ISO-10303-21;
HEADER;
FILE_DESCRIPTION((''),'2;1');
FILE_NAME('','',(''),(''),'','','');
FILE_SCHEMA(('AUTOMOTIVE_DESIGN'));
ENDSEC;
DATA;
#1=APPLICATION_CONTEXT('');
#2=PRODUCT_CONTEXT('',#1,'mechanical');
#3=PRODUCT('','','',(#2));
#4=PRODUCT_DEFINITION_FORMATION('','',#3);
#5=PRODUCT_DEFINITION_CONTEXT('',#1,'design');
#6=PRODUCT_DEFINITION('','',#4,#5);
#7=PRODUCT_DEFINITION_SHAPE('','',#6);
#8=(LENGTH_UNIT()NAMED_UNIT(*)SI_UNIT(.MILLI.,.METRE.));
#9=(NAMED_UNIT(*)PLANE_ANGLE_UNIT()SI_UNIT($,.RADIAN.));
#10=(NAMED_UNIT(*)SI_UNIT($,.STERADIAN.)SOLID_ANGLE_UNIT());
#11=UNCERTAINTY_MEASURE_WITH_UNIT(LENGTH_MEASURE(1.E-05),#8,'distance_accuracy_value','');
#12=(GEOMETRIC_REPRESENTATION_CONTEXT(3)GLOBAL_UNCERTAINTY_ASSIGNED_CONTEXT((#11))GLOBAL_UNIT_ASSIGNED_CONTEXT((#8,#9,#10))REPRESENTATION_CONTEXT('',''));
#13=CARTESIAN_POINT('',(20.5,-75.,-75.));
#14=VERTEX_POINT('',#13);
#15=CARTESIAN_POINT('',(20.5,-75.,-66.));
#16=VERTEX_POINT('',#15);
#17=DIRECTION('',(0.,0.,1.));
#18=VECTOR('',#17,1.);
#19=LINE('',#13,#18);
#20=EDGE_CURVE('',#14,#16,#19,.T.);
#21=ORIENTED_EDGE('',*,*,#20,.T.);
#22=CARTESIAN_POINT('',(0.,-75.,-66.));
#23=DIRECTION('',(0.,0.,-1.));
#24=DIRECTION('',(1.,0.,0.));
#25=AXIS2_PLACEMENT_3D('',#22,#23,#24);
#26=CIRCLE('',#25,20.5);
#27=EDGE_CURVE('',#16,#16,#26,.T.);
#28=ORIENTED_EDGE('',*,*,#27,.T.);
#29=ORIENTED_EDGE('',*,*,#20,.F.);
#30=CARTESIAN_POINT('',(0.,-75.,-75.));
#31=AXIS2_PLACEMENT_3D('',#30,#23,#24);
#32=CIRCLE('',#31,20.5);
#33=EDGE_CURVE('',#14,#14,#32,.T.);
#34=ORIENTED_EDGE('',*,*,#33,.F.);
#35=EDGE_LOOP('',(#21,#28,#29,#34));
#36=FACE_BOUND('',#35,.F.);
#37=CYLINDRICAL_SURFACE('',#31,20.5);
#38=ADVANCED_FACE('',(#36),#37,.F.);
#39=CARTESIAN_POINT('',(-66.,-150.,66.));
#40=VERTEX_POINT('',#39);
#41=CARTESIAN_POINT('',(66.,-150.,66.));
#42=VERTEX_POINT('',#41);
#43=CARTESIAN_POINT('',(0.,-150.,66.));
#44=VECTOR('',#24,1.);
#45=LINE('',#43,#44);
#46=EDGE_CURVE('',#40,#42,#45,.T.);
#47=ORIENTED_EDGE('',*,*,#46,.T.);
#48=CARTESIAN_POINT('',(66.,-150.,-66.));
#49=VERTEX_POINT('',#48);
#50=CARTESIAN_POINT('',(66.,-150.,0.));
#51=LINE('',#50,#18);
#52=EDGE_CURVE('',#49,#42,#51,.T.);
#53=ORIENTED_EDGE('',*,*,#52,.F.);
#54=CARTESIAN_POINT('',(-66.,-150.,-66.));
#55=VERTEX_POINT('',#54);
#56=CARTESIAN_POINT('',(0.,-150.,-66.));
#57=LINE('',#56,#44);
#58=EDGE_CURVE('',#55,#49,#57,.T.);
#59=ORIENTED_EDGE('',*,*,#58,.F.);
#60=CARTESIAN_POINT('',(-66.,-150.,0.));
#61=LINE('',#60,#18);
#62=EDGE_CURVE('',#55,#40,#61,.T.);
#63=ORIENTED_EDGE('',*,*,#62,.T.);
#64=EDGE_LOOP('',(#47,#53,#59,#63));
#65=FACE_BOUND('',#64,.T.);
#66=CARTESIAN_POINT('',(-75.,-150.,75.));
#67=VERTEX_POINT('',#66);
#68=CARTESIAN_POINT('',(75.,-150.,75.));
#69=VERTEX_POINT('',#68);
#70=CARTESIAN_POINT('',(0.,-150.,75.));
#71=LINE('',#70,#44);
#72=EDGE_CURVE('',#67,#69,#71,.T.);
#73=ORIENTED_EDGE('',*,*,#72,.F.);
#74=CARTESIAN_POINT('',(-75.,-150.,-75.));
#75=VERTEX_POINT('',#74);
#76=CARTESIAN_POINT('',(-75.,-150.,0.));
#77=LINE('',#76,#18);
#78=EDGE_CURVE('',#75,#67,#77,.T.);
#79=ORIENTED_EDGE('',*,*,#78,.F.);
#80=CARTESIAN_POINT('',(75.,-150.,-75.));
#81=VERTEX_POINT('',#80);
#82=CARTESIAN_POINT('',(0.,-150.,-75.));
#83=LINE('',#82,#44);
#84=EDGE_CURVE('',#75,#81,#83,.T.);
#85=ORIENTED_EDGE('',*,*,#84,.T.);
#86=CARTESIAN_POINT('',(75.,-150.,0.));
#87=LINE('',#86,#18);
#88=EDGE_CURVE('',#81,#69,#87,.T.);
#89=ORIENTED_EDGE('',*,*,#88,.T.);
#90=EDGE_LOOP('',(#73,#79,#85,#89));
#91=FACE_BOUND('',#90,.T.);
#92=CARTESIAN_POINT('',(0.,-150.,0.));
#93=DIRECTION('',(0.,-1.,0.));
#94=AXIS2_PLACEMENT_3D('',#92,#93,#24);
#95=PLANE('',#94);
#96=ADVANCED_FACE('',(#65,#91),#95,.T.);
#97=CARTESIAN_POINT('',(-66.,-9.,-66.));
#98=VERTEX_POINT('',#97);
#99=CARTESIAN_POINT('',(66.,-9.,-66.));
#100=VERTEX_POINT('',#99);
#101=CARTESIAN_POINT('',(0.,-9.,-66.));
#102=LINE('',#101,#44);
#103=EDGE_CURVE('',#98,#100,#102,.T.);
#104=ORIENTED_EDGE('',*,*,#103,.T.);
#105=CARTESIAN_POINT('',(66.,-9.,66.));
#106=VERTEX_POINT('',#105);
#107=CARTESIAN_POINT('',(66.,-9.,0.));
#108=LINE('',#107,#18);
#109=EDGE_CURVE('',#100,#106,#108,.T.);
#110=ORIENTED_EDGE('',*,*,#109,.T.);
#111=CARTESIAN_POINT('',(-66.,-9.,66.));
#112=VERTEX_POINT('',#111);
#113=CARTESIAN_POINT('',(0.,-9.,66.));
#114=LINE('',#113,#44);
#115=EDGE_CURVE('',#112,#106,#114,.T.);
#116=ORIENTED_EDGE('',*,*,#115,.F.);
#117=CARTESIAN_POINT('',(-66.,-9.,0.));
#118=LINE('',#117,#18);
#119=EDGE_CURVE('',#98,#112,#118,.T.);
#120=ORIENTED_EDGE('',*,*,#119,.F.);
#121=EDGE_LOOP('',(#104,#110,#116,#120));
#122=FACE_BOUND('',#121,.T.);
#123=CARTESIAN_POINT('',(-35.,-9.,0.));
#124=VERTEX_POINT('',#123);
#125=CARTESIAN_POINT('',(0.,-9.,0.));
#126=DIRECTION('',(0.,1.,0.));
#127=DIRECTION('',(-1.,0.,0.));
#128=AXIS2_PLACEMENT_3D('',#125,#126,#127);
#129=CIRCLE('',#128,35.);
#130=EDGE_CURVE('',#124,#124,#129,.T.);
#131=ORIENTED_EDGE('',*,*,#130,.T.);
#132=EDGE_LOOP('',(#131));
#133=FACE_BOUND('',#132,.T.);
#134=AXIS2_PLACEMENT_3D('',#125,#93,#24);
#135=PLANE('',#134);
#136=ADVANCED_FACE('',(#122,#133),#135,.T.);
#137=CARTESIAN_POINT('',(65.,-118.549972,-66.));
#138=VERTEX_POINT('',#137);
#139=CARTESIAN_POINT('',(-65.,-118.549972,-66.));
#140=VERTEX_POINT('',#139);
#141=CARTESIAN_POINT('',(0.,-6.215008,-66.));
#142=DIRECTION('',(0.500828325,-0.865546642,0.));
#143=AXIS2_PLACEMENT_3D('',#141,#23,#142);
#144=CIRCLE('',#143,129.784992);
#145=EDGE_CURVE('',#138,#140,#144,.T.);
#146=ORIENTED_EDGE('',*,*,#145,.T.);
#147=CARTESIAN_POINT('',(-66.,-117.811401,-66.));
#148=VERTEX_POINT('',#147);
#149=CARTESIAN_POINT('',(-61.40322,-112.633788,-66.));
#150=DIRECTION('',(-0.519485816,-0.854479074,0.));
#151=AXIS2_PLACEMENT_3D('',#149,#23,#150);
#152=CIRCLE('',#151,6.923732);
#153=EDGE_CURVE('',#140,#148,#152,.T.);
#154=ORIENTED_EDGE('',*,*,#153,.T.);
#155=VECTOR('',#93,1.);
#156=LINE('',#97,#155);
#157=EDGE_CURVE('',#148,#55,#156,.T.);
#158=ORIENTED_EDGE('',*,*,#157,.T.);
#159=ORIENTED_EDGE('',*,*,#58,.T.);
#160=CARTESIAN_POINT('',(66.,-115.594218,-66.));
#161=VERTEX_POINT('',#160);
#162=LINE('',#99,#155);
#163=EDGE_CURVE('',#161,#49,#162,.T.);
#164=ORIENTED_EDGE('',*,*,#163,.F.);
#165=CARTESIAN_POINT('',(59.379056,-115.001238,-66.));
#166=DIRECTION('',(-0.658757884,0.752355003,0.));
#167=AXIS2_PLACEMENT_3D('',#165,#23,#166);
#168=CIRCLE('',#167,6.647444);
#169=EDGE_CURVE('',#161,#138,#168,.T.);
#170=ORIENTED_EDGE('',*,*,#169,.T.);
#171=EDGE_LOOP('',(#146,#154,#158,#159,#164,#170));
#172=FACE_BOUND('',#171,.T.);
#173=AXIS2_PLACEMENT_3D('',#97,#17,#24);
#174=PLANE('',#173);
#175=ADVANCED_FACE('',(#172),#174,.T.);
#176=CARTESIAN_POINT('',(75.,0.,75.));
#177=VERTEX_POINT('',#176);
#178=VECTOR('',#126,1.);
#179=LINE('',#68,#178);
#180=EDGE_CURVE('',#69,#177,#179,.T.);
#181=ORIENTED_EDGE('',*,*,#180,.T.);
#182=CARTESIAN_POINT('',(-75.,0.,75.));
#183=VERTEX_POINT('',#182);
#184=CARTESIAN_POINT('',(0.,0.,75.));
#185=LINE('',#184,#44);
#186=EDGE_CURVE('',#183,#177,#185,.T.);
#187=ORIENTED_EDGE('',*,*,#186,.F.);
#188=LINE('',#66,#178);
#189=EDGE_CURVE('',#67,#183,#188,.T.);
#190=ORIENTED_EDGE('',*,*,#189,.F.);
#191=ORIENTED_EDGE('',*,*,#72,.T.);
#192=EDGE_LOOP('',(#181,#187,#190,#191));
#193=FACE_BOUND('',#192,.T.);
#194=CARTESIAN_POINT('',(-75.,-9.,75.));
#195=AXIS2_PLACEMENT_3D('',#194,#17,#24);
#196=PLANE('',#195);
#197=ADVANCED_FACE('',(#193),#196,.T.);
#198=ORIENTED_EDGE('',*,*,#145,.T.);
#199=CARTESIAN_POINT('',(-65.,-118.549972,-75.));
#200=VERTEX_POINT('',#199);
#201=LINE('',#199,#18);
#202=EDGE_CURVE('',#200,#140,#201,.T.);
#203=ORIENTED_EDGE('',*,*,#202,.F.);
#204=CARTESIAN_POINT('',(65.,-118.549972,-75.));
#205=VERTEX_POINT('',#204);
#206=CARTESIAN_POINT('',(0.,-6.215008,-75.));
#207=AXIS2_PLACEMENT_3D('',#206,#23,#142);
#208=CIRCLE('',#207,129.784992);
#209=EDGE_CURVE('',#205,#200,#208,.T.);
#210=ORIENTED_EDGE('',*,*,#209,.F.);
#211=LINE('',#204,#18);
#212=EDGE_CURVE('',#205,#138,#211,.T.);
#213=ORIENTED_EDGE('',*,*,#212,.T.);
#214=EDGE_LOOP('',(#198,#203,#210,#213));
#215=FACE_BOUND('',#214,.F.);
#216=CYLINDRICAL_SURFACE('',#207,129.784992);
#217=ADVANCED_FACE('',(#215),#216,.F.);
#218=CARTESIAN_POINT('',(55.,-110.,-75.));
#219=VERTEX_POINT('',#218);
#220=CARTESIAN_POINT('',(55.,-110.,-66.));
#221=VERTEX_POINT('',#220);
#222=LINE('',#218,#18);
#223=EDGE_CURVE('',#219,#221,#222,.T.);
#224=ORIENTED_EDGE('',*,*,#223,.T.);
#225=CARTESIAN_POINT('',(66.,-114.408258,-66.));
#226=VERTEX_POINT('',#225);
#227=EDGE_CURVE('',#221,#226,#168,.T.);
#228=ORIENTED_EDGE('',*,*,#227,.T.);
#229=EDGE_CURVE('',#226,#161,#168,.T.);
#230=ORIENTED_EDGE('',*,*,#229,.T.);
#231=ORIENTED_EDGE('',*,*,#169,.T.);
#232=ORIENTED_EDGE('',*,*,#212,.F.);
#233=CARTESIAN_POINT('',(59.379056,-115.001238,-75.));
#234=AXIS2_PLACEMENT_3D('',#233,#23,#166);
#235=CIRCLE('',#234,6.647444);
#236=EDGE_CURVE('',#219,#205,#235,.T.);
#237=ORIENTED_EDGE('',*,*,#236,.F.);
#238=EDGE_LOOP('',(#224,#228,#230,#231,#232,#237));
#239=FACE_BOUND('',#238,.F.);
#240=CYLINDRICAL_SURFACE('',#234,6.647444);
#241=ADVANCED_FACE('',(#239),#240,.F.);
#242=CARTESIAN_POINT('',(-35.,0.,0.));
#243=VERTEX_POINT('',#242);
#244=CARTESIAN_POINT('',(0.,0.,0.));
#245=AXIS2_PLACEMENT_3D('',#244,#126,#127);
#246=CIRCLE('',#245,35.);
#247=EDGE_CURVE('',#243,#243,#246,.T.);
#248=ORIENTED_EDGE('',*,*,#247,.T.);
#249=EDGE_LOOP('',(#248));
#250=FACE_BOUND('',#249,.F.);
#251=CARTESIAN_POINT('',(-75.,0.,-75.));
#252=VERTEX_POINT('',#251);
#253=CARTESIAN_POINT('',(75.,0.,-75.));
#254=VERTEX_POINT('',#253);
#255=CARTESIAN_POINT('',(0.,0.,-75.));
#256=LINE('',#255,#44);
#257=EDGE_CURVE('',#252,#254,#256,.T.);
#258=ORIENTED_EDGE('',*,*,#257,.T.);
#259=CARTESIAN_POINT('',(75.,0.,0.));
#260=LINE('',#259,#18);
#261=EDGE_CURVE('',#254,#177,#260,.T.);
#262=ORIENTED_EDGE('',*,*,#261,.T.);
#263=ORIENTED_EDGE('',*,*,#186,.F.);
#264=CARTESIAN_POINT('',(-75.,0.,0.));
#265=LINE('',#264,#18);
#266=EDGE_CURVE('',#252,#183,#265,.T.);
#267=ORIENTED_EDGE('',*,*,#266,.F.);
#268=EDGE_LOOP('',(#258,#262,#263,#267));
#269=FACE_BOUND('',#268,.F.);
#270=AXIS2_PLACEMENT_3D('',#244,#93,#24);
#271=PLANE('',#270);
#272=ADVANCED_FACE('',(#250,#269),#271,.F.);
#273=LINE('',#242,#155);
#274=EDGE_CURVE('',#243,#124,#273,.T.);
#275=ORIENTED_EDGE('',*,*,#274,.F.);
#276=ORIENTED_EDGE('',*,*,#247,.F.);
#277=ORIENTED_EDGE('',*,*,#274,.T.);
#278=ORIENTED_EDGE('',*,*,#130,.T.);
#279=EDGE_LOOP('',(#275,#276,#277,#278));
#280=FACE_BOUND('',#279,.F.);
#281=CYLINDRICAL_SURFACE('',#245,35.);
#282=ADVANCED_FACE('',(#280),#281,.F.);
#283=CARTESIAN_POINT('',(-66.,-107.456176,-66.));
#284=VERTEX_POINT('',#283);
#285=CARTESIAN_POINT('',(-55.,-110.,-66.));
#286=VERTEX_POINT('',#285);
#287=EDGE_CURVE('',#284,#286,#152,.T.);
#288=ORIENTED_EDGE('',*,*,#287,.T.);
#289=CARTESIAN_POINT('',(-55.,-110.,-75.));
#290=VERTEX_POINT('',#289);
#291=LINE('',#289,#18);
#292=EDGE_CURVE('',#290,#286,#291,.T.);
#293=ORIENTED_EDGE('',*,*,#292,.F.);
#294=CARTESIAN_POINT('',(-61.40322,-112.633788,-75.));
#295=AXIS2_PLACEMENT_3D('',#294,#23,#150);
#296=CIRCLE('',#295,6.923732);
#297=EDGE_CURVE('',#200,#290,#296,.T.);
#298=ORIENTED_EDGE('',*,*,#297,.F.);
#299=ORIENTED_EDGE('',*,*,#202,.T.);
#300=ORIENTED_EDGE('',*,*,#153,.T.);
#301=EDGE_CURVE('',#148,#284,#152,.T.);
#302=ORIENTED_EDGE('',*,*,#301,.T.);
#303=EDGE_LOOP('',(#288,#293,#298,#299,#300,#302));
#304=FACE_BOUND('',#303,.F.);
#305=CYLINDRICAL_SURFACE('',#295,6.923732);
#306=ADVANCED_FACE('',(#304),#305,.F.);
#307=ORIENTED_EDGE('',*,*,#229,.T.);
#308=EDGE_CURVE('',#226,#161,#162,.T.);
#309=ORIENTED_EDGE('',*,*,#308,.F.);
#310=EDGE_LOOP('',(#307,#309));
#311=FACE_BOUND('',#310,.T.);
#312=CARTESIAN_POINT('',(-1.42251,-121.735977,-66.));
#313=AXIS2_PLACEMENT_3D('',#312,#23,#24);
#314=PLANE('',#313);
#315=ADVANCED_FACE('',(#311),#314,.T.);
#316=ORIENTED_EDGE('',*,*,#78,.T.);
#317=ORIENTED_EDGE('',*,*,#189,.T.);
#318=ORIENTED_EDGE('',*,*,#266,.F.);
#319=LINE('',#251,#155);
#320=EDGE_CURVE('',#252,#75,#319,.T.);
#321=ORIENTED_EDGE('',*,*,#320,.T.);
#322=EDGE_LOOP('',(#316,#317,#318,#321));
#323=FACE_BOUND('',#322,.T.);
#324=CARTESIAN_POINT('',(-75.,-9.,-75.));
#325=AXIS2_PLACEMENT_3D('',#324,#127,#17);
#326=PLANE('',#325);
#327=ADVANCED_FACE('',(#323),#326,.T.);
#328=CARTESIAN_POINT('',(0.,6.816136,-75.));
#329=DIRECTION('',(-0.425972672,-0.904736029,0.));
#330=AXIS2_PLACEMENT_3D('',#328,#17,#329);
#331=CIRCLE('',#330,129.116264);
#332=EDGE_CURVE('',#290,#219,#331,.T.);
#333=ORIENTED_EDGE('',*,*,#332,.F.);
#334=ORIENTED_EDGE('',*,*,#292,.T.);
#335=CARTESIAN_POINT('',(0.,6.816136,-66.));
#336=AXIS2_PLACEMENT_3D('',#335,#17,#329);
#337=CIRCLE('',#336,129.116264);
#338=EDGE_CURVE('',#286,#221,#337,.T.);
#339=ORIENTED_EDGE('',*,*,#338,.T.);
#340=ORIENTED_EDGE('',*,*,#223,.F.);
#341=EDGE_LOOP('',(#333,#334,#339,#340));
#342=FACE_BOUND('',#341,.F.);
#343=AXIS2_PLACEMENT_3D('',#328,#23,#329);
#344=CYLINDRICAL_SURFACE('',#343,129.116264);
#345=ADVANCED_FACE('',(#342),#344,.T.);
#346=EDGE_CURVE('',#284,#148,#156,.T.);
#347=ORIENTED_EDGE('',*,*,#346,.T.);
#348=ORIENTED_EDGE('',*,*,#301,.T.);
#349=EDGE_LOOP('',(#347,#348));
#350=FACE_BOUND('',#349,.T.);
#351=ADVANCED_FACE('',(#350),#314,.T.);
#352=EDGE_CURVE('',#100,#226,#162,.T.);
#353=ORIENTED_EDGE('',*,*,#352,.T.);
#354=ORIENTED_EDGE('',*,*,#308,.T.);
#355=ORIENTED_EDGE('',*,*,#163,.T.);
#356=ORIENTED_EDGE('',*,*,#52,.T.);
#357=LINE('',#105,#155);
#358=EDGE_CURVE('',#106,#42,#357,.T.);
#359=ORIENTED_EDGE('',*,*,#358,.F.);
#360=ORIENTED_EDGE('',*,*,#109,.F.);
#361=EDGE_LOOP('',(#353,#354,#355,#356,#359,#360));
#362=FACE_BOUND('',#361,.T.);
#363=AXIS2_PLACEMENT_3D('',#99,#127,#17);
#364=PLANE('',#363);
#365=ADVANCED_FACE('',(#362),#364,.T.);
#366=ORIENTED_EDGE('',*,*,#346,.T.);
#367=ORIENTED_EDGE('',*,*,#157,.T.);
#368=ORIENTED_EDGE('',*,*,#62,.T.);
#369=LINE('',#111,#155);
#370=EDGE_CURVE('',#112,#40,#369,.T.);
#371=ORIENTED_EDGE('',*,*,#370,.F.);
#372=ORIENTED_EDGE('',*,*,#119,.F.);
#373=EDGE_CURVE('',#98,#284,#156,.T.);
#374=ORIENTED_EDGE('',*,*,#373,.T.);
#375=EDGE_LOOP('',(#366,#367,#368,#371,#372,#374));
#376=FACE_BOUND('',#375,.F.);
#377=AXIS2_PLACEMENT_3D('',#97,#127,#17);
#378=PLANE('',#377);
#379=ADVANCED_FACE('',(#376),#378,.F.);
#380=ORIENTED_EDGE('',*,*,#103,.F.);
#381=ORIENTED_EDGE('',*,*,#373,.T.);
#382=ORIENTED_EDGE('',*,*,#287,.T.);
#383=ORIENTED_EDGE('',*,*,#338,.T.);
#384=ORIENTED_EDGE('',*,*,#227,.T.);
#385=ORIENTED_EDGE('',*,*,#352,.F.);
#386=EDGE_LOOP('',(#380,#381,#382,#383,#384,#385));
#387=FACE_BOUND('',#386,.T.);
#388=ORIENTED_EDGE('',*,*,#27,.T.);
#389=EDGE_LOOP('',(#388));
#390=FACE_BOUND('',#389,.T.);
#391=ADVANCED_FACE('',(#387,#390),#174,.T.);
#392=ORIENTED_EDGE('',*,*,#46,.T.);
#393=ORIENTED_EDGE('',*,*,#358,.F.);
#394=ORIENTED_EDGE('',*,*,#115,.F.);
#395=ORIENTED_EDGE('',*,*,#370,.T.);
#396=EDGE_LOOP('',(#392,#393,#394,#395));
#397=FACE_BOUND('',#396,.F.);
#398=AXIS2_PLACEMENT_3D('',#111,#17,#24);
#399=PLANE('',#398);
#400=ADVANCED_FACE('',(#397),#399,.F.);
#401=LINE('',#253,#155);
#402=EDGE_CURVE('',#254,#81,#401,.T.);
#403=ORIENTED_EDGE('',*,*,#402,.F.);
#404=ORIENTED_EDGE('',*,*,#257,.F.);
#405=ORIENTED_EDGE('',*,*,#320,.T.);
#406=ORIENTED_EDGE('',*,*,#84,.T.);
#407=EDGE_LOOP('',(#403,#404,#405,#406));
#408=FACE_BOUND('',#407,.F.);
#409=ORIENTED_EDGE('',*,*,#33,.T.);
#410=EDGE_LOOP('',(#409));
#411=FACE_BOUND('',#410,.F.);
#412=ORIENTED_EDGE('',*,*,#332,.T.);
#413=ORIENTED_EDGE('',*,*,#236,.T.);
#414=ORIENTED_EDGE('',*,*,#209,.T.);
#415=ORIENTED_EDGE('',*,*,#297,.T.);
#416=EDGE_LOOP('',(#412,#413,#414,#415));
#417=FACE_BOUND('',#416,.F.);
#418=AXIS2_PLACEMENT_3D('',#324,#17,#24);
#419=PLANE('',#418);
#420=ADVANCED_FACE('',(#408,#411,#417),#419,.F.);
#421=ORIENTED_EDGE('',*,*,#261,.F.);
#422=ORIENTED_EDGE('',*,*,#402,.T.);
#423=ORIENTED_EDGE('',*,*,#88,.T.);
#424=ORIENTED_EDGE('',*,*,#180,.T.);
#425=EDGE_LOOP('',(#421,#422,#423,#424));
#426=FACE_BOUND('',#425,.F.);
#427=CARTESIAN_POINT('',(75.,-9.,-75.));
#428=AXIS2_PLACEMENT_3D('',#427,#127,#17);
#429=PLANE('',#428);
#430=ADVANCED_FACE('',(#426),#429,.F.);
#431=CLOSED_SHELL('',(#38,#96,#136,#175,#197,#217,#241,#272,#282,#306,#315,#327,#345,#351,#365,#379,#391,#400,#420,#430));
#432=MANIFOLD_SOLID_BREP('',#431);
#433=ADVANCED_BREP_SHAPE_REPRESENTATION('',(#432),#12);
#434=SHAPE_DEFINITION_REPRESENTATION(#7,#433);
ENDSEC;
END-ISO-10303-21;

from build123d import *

# Parameters (mm, degrees)
F0_W     = 150
F0_H     = 150
F1_DEPTH = 9
F2_W     = 150
F2_H     = 150
F2_W_2   = 132
F2_H_2   = 132
F3_DEPTH = 141
F4_R     = 20.5
F5_DEPTH = 9
F6_R     = 35
F7_DEPTH = 9
F9_DEPTH = 9


with BuildPart() as f1:
    # F0 (on Front) → F1 (new body)
    with BuildSketch(Plane.XZ):
        Rectangle(F0_W, F0_H)
    extrude(amount=F1_DEPTH)

    # F2 (on face) → F3 (join)
    with BuildSketch(Plane.XZ.offset(9)):
        Rectangle(F2_W, F2_H)
        Rectangle(F2_W_2, F2_H_2, mode=Mode.SUBTRACT)
    extrude(amount=F3_DEPTH)

    # F4 (on face) → F5 (cut, through all)
    with BuildSketch(Plane(origin=(0, 0, -75), x_dir=(1, 0, 0), z_dir=(0, 0, -1))):
        with Locations((0, 75)):
            Circle(F4_R)
    extrude(amount=-F5_DEPTH, mode=Mode.SUBTRACT)

    # F6 (on face) → F7 (cut, through all)
    with BuildSketch(Plane(origin=(0, 0, 0), x_dir=(-1, 0, 0), z_dir=(0, 1, 0))):
        Circle(F6_R)
    extrude(amount=-F7_DEPTH, mode=Mode.SUBTRACT)

    # F8 (on face) → F9 (cut, through all)
    with BuildSketch(Plane(origin=(0, 0, -75), x_dir=(1, 0, 0), z_dir=(0, 0, -1))):
        with BuildLine():
            ThreePointArc((55, 110), (63.698903, 109.948769), (65, 118.549972))
            ThreePointArc((65, 118.549972), (0, 136), (-65, 118.549972))
            ThreePointArc((-65, 118.549972), (-65.902612, 107.371324), (-55, 110))
            ThreePointArc((-55, 110), (0, 122.300128), (55, 110))
        make_face()
    extrude(amount=-F9_DEPTH, mode=Mode.SUBTRACT)


solid = f1.part
